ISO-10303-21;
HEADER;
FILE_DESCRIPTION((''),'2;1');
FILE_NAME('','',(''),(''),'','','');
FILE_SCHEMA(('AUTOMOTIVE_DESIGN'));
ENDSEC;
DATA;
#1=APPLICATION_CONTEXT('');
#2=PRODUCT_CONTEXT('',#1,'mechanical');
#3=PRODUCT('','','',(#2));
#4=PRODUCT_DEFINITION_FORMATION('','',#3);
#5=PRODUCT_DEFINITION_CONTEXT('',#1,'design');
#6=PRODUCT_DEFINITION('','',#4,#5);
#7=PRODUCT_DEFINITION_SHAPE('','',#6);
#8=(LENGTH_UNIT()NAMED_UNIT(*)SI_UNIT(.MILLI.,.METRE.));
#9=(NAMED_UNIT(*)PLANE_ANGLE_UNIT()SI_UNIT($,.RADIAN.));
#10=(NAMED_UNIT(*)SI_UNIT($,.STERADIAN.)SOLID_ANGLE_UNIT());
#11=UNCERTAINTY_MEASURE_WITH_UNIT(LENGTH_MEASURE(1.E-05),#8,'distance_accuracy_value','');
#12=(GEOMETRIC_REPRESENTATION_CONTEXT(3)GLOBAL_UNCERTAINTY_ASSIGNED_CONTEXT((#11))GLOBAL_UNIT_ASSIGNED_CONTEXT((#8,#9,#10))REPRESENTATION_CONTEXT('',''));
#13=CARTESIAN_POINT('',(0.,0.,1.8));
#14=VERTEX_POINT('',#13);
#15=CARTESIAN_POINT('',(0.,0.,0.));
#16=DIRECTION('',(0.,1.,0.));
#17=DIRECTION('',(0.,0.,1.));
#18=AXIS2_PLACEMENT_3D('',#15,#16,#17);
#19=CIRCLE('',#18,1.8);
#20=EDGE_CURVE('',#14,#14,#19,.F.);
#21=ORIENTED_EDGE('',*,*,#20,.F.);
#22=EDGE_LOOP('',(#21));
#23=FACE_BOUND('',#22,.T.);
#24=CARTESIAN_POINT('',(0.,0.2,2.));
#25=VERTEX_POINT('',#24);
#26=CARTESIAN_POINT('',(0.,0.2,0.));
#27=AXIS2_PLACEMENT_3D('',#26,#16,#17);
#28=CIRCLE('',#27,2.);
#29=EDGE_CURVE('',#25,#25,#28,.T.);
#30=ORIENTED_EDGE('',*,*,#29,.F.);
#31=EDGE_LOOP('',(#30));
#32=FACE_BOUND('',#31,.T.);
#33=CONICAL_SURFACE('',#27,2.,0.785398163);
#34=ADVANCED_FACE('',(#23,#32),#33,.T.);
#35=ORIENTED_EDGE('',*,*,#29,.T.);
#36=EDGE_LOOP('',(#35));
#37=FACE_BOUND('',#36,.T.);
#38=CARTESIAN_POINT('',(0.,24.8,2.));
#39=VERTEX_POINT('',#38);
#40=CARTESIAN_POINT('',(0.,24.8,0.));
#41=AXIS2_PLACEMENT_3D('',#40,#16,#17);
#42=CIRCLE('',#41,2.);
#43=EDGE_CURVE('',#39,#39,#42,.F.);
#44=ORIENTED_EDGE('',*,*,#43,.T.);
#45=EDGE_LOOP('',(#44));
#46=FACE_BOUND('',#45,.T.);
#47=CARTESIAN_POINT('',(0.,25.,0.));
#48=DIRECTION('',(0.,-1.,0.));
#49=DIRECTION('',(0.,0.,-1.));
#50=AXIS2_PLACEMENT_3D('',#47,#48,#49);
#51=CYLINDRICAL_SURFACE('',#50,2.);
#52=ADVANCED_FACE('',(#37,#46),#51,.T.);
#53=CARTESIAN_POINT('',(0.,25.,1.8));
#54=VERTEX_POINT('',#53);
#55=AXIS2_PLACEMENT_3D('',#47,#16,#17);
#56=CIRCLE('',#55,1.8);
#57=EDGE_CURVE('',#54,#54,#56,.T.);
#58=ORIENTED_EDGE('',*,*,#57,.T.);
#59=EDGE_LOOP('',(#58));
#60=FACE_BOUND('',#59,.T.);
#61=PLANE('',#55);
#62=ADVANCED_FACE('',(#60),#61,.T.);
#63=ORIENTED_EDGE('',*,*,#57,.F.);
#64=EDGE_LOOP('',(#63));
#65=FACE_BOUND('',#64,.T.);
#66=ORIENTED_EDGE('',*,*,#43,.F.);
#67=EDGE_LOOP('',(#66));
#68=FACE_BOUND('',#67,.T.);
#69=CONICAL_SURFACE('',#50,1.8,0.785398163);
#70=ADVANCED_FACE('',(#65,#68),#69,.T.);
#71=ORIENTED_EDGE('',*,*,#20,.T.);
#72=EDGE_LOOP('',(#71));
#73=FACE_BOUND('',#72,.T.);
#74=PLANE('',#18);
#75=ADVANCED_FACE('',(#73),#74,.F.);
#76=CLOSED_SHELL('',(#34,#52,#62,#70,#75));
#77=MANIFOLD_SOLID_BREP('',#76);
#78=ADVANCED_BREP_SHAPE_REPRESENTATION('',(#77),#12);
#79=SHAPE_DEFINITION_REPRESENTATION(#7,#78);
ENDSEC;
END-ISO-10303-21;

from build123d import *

# Parameters (mm, degrees)
SKETCH_1_R      = 2
EXTRUDE_1_DEPTH = 25
CHAMFER_1_SIZE  = 0.2


with BuildPart() as part:
    # 草图1 → 凸台-拉伸1 (new body)
    with BuildSketch(Plane(origin=(0, 0, 0), x_dir=(1, 0, 0), z_dir=(0, 1, 0))):
        Circle(SKETCH_1_R)
    extrude(amount=EXTRUDE_1_DEPTH)

    # 倒角1
    chamfer_1_edges = [part.edges().sort_by_distance(p)[0] for p in [
        (-2, 0, 0),
        (-2, 25, 0),
    ]]
    chamfer(chamfer_1_edges, length=CHAMFER_1_SIZE)


solid = part.part
